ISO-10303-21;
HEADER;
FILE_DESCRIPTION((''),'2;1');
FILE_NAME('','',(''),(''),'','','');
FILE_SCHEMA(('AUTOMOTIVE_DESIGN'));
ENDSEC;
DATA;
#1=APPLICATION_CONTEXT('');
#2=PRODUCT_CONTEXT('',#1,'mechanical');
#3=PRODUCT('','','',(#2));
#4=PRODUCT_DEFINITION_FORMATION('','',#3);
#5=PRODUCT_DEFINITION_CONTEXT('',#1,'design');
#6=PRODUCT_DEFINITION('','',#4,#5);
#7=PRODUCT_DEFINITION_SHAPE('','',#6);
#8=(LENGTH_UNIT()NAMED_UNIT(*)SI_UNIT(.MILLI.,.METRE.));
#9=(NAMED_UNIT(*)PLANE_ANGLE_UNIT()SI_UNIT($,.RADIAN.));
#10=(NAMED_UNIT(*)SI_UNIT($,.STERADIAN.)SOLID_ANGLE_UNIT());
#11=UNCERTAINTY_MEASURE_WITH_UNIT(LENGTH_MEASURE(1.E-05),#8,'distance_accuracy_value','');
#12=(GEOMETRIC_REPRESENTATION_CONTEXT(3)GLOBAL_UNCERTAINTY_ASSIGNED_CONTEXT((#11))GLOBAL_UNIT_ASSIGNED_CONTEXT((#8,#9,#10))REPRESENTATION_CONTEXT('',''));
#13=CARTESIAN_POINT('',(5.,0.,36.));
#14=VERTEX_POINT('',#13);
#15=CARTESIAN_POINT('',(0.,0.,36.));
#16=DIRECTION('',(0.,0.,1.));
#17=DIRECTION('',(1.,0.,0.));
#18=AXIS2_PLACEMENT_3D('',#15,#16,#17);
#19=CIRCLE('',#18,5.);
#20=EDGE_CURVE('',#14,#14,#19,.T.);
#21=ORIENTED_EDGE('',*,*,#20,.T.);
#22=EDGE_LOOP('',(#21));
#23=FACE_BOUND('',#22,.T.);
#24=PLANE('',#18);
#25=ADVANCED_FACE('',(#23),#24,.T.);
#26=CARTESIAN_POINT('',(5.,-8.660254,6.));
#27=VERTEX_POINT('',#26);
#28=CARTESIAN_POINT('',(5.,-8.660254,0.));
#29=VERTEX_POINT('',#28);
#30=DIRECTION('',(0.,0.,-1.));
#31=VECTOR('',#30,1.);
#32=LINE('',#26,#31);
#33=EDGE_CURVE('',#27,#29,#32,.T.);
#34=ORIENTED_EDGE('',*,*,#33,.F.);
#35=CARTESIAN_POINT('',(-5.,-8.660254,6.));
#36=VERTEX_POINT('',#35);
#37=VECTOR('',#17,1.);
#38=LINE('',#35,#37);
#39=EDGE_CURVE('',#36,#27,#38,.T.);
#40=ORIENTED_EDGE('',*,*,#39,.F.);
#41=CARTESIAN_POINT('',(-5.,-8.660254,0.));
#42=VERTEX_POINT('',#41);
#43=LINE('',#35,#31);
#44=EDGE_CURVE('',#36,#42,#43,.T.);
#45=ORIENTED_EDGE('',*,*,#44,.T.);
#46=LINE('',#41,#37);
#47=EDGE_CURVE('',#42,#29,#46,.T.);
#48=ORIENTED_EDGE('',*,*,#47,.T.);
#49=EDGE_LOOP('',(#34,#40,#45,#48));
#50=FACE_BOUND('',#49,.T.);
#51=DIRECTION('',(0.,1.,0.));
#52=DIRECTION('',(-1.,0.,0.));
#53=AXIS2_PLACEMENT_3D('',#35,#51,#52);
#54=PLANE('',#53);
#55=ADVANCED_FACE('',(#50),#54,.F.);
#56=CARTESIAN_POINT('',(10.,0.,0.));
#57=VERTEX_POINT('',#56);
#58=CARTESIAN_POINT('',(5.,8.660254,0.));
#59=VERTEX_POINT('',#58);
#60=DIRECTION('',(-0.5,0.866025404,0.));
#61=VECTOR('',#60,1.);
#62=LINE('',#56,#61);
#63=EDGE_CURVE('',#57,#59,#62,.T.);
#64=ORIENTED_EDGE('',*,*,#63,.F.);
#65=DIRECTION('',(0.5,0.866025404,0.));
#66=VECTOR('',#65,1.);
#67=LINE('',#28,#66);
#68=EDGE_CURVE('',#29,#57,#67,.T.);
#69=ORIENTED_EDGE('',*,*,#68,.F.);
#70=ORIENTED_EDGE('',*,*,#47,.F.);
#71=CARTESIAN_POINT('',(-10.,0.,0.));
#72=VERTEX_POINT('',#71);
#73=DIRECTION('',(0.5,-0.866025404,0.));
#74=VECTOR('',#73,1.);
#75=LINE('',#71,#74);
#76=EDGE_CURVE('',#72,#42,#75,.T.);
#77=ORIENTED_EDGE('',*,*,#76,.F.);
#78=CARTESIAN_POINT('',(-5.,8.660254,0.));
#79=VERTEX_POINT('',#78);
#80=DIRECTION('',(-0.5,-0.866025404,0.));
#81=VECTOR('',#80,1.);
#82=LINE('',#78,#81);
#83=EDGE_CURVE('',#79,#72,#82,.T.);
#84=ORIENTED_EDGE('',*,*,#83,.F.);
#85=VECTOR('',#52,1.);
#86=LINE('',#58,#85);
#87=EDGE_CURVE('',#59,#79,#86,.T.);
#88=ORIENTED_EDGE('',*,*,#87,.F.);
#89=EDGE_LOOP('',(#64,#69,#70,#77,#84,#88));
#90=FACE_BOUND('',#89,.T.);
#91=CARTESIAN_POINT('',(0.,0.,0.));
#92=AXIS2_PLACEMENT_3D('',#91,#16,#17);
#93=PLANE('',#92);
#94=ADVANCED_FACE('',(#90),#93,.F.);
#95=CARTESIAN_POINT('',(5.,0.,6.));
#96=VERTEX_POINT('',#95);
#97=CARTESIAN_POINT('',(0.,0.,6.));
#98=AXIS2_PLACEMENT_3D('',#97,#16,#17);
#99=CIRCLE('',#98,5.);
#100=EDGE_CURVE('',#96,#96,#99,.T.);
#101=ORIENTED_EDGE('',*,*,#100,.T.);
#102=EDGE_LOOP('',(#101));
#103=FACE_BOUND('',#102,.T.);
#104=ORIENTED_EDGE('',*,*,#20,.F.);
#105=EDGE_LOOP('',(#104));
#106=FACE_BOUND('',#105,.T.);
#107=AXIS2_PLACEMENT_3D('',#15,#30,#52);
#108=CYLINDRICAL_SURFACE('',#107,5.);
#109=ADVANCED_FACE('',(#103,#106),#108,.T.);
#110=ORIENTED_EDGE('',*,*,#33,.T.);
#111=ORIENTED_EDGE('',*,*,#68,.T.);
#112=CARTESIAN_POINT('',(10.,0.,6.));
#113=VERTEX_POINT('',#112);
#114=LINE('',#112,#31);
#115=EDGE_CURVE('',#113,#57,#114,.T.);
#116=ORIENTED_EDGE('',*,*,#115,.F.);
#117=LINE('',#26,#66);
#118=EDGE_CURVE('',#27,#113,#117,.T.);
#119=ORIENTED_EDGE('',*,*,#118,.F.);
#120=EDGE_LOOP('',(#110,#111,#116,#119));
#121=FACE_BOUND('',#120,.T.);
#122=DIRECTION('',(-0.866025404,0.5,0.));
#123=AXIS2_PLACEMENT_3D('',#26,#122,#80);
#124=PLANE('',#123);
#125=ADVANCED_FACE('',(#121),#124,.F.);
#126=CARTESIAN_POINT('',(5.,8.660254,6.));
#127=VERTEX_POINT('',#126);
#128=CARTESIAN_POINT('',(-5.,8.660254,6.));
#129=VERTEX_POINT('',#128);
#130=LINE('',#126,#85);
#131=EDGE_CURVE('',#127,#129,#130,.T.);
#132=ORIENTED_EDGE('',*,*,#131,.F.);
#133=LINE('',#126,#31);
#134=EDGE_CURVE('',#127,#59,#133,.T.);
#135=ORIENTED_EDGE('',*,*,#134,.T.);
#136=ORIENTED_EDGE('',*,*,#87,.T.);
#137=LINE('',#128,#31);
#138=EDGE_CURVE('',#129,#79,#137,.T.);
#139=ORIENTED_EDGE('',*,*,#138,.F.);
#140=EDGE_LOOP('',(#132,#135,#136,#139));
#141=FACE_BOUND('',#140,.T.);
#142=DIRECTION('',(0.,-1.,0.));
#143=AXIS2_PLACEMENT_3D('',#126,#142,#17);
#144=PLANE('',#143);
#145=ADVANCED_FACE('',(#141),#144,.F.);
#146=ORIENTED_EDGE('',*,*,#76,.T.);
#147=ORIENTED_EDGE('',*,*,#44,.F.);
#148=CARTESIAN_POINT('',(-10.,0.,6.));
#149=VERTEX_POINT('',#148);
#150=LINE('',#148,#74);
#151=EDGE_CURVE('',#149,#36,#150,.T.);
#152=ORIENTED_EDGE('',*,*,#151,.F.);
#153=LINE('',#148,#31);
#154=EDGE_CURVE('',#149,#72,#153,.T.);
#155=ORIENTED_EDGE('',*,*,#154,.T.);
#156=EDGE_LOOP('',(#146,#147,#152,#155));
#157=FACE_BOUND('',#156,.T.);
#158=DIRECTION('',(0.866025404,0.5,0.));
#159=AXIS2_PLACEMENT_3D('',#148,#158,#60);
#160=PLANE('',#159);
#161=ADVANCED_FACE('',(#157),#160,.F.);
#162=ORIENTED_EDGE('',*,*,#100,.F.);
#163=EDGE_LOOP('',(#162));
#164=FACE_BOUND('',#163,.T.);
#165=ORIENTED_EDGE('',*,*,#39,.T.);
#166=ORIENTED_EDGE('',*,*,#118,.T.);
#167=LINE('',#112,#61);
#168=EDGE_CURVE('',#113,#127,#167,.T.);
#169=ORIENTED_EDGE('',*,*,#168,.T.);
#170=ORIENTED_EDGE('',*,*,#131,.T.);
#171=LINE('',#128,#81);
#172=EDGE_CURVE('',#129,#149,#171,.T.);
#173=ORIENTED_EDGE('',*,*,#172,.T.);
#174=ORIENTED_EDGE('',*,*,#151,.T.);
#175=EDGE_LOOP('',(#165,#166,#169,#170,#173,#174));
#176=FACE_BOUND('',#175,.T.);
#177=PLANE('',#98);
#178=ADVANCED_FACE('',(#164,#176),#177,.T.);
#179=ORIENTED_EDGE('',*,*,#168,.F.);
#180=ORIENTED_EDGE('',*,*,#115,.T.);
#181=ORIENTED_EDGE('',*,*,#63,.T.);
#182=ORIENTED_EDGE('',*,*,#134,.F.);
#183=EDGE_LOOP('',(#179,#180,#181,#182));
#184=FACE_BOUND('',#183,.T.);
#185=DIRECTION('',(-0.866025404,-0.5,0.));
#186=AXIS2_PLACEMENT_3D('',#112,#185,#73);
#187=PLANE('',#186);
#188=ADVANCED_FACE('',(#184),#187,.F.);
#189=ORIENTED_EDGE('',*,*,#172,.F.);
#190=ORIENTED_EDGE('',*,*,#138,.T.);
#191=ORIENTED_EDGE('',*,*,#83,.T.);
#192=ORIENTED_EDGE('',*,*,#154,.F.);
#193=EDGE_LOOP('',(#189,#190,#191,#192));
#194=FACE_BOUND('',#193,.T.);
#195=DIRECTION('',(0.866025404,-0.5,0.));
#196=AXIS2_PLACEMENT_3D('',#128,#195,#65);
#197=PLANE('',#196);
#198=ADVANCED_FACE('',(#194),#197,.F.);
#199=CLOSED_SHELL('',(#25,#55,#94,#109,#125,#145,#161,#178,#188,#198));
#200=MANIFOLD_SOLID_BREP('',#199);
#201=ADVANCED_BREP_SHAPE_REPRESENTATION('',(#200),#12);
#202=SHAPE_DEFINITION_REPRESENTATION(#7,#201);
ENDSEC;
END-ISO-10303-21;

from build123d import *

# Parameters (mm, degrees)
EXTRUDE_1_DEPTH = 6
SKETCH_2_R      = 5
EXTRUDE_2_DEPTH = 30


with BuildPart() as part:
    # 草图1 → 凸台-拉伸1 (new body)
    with BuildSketch(Plane.XY):
        Polygon((10, 0), (5, 8.660254038), (-5, 8.660254038), (-10, 0), (-5, -8.660254038), (5, -8.660254038), align=None)
    extrude(amount=EXTRUDE_1_DEPTH)

    # 草图2 → 凸台-拉伸2 (add)
    with BuildSketch(Plane.XY.offset(6)):
        Circle(SKETCH_2_R)
    extrude(amount=EXTRUDE_2_DEPTH)


solid = part.part
